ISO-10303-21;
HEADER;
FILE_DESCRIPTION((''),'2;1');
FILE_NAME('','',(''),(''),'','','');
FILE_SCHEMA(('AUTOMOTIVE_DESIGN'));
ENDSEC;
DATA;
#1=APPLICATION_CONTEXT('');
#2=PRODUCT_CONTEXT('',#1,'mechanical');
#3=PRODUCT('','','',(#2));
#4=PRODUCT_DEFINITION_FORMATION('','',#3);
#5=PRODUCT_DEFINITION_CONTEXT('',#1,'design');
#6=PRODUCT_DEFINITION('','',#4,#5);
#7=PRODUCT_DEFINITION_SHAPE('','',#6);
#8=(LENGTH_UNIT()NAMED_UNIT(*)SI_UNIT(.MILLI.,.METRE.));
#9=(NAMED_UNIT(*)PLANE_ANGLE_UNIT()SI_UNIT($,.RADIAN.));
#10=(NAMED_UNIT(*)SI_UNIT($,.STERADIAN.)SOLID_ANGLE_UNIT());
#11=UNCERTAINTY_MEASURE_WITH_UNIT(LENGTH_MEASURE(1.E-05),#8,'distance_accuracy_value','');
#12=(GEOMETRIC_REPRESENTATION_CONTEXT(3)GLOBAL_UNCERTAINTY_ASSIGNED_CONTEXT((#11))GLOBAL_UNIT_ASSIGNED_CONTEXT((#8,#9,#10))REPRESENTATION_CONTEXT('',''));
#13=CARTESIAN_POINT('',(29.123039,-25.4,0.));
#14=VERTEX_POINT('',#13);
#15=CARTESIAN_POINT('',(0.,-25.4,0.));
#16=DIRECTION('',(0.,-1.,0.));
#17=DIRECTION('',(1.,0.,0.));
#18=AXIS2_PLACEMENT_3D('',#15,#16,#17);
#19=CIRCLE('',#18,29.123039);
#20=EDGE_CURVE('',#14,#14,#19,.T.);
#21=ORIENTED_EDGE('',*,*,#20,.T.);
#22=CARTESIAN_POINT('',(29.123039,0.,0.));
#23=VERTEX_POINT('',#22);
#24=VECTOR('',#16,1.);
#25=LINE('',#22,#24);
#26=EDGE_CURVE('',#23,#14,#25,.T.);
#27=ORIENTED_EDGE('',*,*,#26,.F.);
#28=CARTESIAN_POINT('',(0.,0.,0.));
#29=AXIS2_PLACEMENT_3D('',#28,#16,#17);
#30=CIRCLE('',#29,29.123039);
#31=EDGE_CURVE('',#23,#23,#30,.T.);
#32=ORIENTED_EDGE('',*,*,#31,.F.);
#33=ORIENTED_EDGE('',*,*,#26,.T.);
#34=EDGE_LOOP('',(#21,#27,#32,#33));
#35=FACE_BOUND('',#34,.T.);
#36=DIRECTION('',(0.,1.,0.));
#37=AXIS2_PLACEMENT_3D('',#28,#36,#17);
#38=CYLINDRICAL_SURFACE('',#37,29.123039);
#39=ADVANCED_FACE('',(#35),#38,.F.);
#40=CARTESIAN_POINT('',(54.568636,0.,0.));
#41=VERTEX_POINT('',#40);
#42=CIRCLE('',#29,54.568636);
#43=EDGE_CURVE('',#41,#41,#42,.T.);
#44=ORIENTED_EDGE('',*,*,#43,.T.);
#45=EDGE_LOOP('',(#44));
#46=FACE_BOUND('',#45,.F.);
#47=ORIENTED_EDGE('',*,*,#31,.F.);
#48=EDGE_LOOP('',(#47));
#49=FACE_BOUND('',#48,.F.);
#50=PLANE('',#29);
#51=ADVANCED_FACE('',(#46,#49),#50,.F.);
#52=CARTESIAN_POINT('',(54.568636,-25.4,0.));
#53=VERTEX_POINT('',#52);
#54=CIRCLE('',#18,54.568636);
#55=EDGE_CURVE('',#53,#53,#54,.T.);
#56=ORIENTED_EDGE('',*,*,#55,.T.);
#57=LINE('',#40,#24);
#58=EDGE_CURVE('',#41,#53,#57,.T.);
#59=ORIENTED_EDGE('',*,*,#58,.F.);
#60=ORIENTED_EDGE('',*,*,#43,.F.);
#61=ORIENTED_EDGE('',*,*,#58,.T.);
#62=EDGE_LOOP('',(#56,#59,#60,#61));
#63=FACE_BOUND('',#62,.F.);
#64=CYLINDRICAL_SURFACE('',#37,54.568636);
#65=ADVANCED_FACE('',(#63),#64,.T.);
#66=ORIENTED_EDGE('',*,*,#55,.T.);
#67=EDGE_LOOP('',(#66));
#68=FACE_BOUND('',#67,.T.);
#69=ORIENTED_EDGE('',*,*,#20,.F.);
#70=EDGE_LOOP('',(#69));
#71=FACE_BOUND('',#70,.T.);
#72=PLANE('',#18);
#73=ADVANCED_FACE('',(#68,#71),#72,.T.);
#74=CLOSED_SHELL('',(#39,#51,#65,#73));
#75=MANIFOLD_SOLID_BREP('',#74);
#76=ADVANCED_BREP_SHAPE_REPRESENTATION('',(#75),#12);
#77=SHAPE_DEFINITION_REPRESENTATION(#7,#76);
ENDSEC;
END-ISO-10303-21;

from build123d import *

# Parameters (mm, degrees)
F1_R     = 54.568636
F1_R_2   = 29.123039
F2_DEPTH = 25.4


with BuildPart() as f2:
    # F1 (on face) → F2 (new body)
    with BuildSketch(Plane.XZ):
        Circle(F1_R)
        Circle(F1_R_2, mode=Mode.SUBTRACT)
    extrude(amount=F2_DEPTH)


solid = f2.part
